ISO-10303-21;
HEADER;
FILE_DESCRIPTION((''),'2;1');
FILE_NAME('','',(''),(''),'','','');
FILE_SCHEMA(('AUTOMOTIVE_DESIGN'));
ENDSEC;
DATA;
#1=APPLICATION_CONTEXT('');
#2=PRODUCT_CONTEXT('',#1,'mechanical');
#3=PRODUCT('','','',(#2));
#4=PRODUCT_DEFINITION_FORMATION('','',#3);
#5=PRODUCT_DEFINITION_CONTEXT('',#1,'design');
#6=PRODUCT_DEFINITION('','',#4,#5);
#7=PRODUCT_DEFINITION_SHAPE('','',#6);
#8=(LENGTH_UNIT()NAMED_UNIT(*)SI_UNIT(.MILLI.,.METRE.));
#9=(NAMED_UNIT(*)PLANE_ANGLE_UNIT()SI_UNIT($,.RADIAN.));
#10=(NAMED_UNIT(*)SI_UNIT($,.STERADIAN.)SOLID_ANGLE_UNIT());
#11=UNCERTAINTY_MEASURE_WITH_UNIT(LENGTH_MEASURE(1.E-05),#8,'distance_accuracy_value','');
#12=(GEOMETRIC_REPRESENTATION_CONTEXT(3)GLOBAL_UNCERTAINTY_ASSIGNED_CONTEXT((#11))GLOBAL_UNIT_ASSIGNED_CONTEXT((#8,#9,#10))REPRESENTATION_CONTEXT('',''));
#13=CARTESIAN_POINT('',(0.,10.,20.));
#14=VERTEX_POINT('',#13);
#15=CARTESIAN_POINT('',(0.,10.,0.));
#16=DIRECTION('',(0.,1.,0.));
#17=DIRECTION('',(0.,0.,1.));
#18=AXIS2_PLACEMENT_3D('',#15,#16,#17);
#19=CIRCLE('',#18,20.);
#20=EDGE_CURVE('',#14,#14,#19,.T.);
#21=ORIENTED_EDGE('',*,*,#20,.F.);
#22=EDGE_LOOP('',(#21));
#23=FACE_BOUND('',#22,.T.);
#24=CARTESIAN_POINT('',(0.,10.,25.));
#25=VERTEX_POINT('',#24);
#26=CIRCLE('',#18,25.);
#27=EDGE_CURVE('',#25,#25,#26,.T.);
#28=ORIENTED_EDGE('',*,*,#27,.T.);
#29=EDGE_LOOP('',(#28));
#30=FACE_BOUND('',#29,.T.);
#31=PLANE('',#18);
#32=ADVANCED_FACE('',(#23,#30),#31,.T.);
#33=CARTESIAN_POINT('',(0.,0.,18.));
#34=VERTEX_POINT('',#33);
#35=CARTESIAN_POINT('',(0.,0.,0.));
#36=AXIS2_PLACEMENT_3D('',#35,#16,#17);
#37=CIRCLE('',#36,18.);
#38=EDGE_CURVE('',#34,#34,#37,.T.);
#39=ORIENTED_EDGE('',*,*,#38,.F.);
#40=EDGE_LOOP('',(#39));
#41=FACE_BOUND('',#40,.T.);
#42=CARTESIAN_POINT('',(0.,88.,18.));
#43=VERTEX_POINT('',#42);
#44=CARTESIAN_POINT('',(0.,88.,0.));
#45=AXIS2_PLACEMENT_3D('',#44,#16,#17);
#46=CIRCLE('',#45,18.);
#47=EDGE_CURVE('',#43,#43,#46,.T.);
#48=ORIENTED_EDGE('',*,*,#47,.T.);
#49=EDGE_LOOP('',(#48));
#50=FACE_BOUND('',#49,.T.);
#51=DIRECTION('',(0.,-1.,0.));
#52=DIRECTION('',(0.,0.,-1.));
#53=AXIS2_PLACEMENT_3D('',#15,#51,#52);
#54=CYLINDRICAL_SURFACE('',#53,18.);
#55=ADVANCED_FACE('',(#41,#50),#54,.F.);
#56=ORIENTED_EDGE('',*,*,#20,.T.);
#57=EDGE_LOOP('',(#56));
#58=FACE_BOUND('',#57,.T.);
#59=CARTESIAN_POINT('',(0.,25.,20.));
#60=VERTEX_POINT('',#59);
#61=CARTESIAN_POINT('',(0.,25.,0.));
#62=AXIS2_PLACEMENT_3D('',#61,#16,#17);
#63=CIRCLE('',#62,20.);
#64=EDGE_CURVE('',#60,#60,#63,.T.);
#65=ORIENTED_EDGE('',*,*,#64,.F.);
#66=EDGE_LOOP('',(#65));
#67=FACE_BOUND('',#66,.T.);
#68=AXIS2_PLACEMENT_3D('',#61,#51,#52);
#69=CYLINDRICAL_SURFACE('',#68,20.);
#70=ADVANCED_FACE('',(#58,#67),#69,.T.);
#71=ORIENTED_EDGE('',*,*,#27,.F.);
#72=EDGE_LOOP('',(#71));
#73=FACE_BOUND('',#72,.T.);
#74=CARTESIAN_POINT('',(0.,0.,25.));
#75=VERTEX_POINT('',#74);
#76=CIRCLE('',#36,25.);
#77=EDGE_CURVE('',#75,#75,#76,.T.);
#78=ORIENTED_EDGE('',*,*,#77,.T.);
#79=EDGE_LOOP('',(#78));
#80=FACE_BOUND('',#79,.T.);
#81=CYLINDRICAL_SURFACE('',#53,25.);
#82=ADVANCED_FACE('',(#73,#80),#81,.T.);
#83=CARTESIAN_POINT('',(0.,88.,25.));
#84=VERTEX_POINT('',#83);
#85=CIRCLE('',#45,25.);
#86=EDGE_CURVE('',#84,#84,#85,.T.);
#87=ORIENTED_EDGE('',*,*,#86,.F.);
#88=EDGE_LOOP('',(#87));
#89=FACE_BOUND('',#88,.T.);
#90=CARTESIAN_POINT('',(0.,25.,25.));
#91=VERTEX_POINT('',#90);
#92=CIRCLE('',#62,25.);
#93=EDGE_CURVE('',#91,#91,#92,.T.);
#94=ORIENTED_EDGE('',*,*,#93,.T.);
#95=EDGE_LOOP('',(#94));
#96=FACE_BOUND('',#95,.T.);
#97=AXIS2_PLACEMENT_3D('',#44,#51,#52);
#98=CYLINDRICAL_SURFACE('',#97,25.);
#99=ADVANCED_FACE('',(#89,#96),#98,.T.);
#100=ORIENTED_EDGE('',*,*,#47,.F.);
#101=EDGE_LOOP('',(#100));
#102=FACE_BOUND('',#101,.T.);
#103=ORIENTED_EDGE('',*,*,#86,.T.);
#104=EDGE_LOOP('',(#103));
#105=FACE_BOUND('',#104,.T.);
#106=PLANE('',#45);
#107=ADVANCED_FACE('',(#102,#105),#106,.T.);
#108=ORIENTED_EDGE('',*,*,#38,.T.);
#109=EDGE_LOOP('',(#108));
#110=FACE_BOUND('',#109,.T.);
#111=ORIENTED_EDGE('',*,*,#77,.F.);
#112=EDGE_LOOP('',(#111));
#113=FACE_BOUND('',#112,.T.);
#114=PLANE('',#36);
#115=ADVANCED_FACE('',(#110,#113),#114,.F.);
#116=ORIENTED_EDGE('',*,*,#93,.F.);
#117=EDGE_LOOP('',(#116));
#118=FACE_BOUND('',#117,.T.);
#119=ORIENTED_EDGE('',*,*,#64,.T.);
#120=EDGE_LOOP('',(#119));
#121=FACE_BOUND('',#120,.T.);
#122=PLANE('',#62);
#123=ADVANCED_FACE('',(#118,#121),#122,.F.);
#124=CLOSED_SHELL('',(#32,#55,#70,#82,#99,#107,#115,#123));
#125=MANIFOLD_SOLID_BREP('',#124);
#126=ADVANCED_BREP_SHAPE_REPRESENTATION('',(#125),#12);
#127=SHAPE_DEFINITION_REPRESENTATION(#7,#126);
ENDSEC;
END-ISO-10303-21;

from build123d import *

# Parameters (mm, degrees)
SKETCH1_R           = 25
SKETCH1_R_2         = 18
BOSS_EXTRUDE1_DEPTH = 10
SKETCH2_R           = 20
SKETCH2_R_2         = 18
BOSS_EXTRUDE2_DEPTH = 15
SKETCH3_R           = 25
SKETCH3_R_2         = 18
BOSS_EXTRUDE3_DEPTH = 63


with BuildPart() as part:
    # Sketch1 → Boss-Extrude1 (new body)
    with BuildSketch(Plane(origin=(0, 0, 0), x_dir=(1, 0, 0), z_dir=(0, 1, 0))):
        with Locations(Location((0, 0, 0), (0, 0, 270))):
            Circle(SKETCH1_R)
        with Locations(Location((0, 0, 0), (0, 0, 270))):
            Circle(SKETCH1_R_2, mode=Mode.SUBTRACT)
    extrude(amount=BOSS_EXTRUDE1_DEPTH)

    # Sketch2 → Boss-Extrude2 (add)
    with BuildSketch(Plane(origin=(0, 10, 0), x_dir=(1, 0, 0), z_dir=(0, 1, 0))):
        with Locations(Location((0, 0, 0), (0, 0, 270))):
            Circle(SKETCH2_R)
        with Locations(Location((0, 0, 0), (0, 0, 270))):
            Circle(SKETCH2_R_2, mode=Mode.SUBTRACT)
    extrude(amount=BOSS_EXTRUDE2_DEPTH)

    # Sketch3 → Boss-Extrude3 (add)
    with BuildSketch(Plane(origin=(0, 25, 0), x_dir=(1, 0, 0), z_dir=(0, 1, 0))):
        with Locations(Location((0, 0, 0), (0, 0, 270))):
            Circle(SKETCH3_R)
        with Locations(Location((0, 0, 0), (0, 0, 270))):
            Circle(SKETCH3_R_2, mode=Mode.SUBTRACT)
    extrude(amount=BOSS_EXTRUDE3_DEPTH)


solid = part.part
